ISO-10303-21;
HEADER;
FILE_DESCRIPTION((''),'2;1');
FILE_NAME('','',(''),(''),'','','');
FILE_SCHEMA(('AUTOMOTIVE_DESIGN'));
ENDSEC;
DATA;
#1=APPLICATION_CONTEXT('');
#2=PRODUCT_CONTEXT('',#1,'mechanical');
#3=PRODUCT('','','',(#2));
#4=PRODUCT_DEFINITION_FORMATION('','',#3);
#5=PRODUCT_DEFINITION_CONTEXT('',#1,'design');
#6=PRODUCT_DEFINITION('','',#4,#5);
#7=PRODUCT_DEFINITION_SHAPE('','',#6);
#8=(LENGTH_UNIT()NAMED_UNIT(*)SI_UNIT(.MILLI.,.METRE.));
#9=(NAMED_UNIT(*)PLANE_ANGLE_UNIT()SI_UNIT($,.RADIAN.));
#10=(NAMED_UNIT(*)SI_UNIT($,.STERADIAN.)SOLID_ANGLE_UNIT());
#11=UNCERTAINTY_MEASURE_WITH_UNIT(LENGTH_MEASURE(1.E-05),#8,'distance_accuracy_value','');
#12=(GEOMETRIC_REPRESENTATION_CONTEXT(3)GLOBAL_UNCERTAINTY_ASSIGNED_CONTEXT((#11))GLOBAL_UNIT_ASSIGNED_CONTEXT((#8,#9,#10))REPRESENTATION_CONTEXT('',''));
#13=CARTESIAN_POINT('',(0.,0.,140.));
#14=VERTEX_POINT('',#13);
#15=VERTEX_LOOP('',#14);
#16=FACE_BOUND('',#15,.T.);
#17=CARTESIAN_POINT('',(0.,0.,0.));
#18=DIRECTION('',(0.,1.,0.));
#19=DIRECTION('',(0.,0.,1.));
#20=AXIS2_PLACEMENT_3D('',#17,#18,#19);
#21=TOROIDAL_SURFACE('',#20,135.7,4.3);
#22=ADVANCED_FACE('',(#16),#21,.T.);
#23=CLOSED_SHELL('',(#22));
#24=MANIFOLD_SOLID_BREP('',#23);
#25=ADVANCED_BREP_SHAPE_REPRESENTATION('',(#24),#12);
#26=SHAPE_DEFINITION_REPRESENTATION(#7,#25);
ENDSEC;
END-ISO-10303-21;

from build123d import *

# Parameters (mm, degrees)
SKETCH1_R = 4.3


with BuildPart() as part:
    # Sketch1 → Revolve1 (revolve)
    with BuildSketch(Plane.XY, mode=Mode.PRIVATE) as revolve1_sk:
        with Locations((135.7, 0)):
            Circle(SKETCH1_R)
    revolve(revolve1_sk.sketch.rotate(Axis((0, 19.79695453, 0), (0, -1, 0)), 90), axis=Axis((0, 19.79695453, 0), (0, -1, 0)))


solid = part.part
